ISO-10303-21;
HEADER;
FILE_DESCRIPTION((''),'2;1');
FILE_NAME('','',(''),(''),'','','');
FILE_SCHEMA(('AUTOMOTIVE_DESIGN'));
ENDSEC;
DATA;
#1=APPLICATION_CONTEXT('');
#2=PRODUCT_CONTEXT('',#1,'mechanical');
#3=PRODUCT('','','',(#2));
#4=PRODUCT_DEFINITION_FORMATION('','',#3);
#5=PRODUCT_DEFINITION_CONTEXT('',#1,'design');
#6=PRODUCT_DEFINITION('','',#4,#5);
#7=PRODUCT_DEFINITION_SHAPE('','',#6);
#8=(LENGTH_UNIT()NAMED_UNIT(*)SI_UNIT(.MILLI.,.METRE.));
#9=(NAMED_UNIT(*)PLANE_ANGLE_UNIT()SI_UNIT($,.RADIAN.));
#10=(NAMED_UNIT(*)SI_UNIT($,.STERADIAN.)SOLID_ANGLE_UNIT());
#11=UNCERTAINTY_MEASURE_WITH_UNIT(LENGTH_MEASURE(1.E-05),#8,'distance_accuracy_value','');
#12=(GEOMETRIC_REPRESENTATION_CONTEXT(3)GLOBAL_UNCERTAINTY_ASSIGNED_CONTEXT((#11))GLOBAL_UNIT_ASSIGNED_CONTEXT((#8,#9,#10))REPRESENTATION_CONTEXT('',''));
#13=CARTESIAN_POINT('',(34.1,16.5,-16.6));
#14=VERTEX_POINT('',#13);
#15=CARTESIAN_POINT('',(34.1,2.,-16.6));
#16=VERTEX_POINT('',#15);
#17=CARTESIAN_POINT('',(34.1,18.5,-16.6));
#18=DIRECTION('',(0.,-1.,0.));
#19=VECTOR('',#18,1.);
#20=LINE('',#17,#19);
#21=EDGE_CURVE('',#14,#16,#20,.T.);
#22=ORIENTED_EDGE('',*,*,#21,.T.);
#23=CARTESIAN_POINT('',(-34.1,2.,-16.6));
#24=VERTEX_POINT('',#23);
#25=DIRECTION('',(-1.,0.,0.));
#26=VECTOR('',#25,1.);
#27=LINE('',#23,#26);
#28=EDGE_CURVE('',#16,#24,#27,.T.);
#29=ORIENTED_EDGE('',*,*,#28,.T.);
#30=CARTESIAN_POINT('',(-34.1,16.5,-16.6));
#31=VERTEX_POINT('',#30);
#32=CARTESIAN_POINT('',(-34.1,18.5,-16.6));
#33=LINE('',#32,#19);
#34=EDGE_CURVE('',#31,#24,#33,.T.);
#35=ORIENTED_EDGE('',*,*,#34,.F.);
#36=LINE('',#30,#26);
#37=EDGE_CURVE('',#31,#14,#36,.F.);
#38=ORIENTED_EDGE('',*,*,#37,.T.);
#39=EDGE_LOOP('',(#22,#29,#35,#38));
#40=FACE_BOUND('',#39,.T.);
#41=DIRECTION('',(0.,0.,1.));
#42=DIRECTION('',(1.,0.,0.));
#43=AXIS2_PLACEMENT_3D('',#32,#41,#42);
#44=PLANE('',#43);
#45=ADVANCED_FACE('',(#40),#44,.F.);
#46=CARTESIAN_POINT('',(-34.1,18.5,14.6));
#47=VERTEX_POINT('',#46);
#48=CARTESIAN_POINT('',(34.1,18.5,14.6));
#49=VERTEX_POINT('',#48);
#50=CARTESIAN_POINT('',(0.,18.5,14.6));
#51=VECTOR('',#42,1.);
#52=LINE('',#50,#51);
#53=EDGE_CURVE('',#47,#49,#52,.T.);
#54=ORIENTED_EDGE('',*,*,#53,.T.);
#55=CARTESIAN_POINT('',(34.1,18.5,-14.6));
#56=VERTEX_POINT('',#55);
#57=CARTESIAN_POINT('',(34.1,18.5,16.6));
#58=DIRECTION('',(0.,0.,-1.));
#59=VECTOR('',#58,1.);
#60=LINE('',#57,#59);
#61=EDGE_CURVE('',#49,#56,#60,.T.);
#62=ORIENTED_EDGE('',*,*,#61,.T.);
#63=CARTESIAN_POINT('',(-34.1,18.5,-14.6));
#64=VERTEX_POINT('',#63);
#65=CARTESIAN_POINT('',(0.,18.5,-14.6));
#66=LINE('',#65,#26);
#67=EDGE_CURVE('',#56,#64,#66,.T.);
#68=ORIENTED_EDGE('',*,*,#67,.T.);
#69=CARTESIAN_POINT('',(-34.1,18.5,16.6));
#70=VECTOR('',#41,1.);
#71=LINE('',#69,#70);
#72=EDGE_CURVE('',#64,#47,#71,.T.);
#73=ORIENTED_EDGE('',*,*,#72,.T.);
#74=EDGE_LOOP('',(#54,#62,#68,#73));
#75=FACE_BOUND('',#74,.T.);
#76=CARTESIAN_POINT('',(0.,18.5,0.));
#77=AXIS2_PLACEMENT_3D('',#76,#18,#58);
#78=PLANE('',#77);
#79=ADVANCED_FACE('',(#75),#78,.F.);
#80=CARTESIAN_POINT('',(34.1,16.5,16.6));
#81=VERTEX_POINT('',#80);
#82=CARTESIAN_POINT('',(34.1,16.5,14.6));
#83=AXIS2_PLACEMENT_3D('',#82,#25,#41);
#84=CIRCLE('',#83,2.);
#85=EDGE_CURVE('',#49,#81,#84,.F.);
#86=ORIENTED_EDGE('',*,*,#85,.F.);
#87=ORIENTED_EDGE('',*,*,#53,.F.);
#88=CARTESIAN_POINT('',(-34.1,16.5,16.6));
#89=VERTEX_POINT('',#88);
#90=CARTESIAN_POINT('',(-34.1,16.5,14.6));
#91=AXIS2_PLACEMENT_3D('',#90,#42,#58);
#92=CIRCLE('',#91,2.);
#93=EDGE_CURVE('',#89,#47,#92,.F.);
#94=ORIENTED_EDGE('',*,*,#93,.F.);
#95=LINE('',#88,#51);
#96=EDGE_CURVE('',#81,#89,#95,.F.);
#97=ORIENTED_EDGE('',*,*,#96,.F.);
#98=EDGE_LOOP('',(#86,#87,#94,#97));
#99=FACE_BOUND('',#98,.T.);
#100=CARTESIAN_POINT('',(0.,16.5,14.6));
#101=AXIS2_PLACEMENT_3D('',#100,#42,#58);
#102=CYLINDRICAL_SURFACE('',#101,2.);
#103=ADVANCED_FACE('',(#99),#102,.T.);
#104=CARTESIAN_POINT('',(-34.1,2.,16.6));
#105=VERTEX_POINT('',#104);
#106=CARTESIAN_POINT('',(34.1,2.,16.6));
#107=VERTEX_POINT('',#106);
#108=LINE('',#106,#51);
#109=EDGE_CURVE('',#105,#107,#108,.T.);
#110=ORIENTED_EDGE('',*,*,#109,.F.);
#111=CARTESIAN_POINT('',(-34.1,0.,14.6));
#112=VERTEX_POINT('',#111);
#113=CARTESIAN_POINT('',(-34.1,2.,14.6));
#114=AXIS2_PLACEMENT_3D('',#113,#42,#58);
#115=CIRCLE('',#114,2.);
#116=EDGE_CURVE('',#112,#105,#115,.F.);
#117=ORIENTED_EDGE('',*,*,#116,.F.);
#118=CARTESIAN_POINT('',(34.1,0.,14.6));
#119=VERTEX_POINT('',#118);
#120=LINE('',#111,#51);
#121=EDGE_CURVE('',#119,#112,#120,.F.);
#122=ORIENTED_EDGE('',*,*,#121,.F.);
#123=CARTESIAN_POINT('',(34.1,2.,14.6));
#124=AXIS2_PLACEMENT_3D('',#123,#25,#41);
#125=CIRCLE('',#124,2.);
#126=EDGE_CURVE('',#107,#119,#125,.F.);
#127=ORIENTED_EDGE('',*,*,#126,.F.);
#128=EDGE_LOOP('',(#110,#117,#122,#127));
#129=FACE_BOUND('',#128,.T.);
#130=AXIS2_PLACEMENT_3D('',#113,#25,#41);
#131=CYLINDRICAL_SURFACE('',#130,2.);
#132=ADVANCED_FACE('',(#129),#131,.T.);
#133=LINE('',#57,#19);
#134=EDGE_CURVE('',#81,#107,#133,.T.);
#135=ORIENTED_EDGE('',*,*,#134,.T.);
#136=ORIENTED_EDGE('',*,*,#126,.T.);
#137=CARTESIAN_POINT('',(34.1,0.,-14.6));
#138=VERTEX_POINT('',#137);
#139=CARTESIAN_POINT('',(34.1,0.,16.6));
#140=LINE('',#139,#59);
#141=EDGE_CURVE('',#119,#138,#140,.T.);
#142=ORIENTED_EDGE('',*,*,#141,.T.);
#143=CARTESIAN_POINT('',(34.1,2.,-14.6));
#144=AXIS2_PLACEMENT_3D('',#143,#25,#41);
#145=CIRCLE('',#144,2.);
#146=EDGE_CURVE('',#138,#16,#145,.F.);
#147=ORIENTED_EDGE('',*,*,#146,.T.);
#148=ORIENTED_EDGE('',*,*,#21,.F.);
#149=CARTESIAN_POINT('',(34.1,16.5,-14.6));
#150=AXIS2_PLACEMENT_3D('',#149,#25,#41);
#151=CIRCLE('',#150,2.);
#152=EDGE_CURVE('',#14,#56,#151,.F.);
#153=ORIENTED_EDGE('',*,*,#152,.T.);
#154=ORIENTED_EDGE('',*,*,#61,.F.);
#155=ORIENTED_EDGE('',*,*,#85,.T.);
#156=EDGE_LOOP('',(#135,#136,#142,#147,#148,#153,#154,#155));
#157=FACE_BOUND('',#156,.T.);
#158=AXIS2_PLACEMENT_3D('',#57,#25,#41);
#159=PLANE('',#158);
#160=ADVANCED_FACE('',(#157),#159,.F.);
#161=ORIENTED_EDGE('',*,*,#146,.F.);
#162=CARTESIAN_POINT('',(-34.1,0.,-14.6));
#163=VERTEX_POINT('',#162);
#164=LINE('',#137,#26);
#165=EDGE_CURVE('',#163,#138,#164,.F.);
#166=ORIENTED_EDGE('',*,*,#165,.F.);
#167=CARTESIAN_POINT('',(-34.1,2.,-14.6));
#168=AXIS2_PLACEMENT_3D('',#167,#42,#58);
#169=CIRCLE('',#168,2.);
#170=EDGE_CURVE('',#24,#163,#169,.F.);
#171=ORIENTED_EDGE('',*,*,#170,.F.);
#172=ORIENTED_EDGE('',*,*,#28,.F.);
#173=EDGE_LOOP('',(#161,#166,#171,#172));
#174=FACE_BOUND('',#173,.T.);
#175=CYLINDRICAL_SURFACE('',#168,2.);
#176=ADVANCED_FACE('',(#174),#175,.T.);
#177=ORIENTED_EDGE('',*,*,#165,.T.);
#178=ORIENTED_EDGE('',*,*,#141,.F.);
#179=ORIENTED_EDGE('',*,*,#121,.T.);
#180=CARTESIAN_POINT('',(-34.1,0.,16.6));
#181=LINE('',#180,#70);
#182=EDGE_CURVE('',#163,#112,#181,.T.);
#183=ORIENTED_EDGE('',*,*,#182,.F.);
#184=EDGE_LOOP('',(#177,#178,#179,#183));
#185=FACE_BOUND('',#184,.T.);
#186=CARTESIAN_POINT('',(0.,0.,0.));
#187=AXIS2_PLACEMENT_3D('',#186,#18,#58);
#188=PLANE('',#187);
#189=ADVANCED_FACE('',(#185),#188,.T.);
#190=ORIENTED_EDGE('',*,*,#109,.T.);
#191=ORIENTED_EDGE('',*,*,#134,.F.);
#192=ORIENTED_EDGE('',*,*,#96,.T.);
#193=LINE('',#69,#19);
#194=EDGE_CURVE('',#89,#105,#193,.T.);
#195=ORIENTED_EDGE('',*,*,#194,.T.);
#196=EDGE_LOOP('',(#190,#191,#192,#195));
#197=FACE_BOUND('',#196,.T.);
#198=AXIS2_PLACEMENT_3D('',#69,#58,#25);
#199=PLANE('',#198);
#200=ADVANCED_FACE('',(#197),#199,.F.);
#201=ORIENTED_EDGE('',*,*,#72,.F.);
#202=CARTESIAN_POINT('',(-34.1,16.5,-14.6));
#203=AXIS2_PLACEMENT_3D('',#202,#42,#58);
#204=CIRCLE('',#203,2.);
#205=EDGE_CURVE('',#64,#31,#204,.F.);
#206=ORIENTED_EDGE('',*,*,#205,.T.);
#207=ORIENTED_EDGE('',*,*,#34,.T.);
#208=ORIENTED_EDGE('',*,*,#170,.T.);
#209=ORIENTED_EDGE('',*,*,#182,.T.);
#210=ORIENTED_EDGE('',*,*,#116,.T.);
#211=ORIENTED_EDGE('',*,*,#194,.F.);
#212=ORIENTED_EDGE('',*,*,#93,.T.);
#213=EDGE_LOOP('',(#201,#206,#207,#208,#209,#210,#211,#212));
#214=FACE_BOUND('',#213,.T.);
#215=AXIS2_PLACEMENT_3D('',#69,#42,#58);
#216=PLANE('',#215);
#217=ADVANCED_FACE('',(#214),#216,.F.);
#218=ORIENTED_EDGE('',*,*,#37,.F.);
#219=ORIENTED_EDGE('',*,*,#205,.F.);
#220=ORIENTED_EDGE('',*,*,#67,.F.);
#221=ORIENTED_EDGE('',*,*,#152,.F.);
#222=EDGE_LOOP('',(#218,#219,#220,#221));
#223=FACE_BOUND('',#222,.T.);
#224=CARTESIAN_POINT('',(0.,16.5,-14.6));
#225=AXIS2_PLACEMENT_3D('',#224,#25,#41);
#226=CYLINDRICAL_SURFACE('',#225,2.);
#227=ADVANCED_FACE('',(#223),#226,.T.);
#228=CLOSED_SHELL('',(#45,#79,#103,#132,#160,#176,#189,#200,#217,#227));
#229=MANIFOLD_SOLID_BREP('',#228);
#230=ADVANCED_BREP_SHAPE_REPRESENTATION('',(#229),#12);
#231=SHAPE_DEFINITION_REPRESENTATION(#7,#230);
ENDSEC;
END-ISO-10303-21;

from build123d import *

# Parameters (mm, degrees)
SKETCH1_W           = 68.2
SKETCH1_H           = 33.2
BOSS_EXTRUDE1_DEPTH = 18.5
FILLET1_R           = 2


with BuildPart() as part:
    # Sketch1 → Boss-Extrude1 (new body)
    with BuildSketch(Plane(origin=(0, 0, 0), x_dir=(1, 0, 0), z_dir=(0, 1, 0))):
        Rectangle(SKETCH1_W, SKETCH1_H)
    extrude(amount=BOSS_EXTRUDE1_DEPTH)

    # Fillet1
    fillet1_edges = [part.edges().sort_by_distance(p)[0] for p in [
        (0, 18.5, 16.6),
        (0, 0, 16.6),
        (0, 0, -16.6),
        (0, 18.5, -16.6),
    ]]
    fillet(fillet1_edges, radius=FILLET1_R)


solid = part.part
